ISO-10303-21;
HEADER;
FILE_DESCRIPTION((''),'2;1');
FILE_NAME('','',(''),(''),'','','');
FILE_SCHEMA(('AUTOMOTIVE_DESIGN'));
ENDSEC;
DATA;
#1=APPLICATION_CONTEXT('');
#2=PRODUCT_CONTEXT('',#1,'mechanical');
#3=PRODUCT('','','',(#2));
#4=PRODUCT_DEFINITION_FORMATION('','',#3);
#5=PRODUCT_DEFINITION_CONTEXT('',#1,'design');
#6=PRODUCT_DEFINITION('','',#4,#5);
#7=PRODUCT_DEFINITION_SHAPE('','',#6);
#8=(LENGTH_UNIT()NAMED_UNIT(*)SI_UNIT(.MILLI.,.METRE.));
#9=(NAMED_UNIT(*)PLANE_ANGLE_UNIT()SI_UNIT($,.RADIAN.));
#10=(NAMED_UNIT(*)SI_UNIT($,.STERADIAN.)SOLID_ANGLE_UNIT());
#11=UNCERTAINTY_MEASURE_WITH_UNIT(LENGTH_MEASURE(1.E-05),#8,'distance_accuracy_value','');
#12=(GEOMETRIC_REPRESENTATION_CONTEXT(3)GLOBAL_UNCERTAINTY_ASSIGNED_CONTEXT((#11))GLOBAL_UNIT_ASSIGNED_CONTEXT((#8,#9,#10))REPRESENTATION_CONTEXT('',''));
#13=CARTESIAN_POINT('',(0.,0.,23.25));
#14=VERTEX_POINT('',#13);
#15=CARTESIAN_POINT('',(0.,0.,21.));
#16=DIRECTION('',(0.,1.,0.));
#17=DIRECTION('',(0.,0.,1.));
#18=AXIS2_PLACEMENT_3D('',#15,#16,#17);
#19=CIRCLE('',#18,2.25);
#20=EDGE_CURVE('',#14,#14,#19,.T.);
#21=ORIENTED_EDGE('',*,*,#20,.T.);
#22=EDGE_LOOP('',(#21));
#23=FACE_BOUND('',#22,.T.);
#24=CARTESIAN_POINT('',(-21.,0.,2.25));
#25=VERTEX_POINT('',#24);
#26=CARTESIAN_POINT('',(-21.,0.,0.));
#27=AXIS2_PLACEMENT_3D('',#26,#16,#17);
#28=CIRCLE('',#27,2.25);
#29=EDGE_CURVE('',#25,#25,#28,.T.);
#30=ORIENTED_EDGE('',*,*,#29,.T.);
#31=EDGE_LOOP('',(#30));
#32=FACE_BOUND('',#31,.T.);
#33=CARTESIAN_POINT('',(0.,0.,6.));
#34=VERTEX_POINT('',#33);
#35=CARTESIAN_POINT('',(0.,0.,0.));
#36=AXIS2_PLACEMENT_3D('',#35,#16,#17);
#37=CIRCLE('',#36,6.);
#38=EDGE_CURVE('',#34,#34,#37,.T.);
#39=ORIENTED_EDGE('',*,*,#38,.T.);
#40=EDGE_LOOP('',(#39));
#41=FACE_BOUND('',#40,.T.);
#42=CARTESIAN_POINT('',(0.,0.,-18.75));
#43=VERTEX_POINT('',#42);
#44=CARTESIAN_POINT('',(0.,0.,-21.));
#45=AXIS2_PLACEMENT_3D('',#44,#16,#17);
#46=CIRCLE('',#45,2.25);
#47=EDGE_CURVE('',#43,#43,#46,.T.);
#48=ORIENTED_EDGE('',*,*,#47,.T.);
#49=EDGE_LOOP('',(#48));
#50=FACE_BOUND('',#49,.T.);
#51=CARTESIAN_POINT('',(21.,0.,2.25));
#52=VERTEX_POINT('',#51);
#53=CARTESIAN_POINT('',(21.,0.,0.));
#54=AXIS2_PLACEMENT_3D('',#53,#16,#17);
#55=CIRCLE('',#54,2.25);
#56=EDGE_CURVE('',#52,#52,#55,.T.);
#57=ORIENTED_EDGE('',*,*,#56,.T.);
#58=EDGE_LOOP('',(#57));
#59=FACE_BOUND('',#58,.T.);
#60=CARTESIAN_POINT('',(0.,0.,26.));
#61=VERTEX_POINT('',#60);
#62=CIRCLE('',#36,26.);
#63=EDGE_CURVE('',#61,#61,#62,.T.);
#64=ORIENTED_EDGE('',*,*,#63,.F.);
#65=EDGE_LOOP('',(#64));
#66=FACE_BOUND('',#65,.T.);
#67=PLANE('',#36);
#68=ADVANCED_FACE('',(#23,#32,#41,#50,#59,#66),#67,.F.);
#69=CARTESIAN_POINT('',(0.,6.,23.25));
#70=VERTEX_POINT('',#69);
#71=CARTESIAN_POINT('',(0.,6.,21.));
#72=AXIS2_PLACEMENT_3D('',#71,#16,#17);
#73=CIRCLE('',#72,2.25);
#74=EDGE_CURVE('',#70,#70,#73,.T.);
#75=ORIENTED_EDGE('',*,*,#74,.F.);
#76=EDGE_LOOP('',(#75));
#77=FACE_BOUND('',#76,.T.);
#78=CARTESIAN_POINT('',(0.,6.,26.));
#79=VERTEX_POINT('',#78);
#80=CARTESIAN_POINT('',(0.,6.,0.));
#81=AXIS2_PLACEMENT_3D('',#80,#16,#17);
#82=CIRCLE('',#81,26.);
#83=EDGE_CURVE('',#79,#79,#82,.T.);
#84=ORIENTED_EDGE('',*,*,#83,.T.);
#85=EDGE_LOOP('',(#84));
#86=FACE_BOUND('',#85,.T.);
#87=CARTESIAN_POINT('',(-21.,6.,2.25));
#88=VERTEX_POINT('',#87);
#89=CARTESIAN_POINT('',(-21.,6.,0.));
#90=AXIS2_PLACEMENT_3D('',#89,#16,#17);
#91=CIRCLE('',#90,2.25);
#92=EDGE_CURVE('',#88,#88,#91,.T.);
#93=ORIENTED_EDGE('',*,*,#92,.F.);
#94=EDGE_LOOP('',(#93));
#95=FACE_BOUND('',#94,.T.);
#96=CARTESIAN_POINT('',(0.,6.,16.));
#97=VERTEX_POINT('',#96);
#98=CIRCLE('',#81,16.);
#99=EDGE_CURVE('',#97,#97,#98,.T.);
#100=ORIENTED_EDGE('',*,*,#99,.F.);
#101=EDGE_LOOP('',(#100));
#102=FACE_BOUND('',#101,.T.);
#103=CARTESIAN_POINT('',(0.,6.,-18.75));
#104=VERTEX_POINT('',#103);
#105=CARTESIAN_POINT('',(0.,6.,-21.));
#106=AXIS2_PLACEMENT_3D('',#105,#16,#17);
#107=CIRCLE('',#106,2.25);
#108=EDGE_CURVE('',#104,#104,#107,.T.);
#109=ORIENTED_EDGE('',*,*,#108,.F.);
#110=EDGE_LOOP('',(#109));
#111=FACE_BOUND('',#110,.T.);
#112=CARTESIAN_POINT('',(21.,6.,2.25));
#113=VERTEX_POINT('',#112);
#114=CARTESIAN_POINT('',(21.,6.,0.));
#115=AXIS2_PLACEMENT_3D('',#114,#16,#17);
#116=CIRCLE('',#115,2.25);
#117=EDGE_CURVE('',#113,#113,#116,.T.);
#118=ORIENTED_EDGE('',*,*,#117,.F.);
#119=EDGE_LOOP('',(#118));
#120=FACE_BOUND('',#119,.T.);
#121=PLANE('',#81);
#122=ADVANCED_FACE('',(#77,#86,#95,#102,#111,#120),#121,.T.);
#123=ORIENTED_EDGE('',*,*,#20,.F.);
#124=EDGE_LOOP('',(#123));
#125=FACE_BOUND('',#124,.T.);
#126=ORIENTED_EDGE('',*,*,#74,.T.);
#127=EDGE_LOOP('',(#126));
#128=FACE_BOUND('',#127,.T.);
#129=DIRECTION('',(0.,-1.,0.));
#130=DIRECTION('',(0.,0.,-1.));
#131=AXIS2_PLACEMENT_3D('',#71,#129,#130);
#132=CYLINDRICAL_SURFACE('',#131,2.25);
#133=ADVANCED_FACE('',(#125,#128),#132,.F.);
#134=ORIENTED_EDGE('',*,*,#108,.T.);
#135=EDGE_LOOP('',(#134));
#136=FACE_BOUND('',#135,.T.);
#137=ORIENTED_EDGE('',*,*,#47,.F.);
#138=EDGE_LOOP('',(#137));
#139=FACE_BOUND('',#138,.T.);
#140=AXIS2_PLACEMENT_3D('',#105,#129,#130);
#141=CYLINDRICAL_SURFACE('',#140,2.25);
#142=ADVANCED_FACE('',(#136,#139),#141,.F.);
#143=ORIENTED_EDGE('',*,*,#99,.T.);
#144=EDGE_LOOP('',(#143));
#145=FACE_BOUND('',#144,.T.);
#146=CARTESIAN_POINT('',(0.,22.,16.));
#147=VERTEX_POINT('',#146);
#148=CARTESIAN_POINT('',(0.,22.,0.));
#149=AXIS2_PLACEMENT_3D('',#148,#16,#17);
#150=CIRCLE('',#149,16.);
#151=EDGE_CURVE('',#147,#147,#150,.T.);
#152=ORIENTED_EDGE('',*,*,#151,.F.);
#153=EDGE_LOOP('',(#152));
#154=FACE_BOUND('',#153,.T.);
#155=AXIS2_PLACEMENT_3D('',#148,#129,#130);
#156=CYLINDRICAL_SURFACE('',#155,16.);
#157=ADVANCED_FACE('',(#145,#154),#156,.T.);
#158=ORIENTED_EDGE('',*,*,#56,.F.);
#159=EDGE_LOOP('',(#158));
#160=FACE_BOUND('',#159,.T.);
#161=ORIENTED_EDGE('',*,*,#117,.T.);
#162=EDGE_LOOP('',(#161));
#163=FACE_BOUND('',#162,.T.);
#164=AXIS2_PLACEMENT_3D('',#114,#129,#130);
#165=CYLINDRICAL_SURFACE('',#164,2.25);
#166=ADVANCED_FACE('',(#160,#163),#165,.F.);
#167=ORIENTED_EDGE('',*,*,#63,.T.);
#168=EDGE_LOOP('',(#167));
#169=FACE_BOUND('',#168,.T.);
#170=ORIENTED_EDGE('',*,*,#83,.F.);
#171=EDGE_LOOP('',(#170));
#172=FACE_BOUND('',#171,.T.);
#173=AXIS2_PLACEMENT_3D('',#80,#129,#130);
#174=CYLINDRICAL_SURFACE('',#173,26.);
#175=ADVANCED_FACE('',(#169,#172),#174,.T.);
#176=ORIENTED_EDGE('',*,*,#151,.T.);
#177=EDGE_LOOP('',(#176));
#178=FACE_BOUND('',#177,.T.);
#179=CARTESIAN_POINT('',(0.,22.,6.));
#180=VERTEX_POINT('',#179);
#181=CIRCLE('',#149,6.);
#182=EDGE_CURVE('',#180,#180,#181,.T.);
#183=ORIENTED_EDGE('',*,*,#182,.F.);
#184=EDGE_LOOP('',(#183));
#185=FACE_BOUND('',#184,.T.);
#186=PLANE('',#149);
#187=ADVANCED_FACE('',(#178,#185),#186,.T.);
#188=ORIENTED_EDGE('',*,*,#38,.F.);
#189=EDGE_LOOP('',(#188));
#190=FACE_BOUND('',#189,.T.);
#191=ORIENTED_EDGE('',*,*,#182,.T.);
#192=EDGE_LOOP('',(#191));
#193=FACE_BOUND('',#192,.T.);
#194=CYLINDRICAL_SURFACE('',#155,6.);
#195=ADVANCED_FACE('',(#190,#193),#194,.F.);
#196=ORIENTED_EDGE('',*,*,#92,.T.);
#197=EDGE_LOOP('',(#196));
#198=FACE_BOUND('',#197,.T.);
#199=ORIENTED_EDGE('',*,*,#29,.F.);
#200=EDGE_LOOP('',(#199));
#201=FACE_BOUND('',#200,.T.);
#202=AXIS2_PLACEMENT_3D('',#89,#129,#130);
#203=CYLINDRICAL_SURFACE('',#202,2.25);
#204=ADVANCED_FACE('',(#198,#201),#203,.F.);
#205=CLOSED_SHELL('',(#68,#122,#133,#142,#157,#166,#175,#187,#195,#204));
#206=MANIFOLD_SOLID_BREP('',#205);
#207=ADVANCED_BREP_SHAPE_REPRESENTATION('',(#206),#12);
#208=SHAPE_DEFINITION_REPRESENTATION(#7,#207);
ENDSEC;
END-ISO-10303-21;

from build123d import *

# Parameters (mm, degrees)
SKETCH_1_R      = 26
SKETCH_1_R_2    = 2.25
SKETCH_1_R_3    = 16
EXTRUDE_1_DEPTH = 6
SKETCH_1_6_R    = 16
SKETCH_1_6_R_2  = 6
EXTRUDE_2_DEPTH = 22


with BuildPart() as part:
    # 草图1 → 凸台-拉伸1 (new body)
    with BuildSketch(Plane(origin=(0, 0, 0), x_dir=(1, 0, 0), z_dir=(0, 1, 0))):
        Circle(SKETCH_1_R)
        with Locations((0, -21)):
            Circle(SKETCH_1_R_2, mode=Mode.SUBTRACT)
        with Locations((-21, 0)):
            Circle(SKETCH_1_R_2, mode=Mode.SUBTRACT)
        Circle(SKETCH_1_R_3, mode=Mode.SUBTRACT)
        with Locations((21, 0)):
            Circle(SKETCH_1_R_2, mode=Mode.SUBTRACT)
        with Locations((0, 21)):
            Circle(SKETCH_1_R_2, mode=Mode.SUBTRACT)
    extrude(amount=EXTRUDE_1_DEPTH)

    # 草图1<6> → 凸台-拉伸2 (add)
    with BuildSketch(Plane(origin=(0, 0, 0), x_dir=(1, 0, 0), z_dir=(0, 1, 0))):
        Circle(SKETCH_1_6_R)
        Circle(SKETCH_1_6_R_2, mode=Mode.SUBTRACT)
    extrude(amount=EXTRUDE_2_DEPTH)


solid = part.part
